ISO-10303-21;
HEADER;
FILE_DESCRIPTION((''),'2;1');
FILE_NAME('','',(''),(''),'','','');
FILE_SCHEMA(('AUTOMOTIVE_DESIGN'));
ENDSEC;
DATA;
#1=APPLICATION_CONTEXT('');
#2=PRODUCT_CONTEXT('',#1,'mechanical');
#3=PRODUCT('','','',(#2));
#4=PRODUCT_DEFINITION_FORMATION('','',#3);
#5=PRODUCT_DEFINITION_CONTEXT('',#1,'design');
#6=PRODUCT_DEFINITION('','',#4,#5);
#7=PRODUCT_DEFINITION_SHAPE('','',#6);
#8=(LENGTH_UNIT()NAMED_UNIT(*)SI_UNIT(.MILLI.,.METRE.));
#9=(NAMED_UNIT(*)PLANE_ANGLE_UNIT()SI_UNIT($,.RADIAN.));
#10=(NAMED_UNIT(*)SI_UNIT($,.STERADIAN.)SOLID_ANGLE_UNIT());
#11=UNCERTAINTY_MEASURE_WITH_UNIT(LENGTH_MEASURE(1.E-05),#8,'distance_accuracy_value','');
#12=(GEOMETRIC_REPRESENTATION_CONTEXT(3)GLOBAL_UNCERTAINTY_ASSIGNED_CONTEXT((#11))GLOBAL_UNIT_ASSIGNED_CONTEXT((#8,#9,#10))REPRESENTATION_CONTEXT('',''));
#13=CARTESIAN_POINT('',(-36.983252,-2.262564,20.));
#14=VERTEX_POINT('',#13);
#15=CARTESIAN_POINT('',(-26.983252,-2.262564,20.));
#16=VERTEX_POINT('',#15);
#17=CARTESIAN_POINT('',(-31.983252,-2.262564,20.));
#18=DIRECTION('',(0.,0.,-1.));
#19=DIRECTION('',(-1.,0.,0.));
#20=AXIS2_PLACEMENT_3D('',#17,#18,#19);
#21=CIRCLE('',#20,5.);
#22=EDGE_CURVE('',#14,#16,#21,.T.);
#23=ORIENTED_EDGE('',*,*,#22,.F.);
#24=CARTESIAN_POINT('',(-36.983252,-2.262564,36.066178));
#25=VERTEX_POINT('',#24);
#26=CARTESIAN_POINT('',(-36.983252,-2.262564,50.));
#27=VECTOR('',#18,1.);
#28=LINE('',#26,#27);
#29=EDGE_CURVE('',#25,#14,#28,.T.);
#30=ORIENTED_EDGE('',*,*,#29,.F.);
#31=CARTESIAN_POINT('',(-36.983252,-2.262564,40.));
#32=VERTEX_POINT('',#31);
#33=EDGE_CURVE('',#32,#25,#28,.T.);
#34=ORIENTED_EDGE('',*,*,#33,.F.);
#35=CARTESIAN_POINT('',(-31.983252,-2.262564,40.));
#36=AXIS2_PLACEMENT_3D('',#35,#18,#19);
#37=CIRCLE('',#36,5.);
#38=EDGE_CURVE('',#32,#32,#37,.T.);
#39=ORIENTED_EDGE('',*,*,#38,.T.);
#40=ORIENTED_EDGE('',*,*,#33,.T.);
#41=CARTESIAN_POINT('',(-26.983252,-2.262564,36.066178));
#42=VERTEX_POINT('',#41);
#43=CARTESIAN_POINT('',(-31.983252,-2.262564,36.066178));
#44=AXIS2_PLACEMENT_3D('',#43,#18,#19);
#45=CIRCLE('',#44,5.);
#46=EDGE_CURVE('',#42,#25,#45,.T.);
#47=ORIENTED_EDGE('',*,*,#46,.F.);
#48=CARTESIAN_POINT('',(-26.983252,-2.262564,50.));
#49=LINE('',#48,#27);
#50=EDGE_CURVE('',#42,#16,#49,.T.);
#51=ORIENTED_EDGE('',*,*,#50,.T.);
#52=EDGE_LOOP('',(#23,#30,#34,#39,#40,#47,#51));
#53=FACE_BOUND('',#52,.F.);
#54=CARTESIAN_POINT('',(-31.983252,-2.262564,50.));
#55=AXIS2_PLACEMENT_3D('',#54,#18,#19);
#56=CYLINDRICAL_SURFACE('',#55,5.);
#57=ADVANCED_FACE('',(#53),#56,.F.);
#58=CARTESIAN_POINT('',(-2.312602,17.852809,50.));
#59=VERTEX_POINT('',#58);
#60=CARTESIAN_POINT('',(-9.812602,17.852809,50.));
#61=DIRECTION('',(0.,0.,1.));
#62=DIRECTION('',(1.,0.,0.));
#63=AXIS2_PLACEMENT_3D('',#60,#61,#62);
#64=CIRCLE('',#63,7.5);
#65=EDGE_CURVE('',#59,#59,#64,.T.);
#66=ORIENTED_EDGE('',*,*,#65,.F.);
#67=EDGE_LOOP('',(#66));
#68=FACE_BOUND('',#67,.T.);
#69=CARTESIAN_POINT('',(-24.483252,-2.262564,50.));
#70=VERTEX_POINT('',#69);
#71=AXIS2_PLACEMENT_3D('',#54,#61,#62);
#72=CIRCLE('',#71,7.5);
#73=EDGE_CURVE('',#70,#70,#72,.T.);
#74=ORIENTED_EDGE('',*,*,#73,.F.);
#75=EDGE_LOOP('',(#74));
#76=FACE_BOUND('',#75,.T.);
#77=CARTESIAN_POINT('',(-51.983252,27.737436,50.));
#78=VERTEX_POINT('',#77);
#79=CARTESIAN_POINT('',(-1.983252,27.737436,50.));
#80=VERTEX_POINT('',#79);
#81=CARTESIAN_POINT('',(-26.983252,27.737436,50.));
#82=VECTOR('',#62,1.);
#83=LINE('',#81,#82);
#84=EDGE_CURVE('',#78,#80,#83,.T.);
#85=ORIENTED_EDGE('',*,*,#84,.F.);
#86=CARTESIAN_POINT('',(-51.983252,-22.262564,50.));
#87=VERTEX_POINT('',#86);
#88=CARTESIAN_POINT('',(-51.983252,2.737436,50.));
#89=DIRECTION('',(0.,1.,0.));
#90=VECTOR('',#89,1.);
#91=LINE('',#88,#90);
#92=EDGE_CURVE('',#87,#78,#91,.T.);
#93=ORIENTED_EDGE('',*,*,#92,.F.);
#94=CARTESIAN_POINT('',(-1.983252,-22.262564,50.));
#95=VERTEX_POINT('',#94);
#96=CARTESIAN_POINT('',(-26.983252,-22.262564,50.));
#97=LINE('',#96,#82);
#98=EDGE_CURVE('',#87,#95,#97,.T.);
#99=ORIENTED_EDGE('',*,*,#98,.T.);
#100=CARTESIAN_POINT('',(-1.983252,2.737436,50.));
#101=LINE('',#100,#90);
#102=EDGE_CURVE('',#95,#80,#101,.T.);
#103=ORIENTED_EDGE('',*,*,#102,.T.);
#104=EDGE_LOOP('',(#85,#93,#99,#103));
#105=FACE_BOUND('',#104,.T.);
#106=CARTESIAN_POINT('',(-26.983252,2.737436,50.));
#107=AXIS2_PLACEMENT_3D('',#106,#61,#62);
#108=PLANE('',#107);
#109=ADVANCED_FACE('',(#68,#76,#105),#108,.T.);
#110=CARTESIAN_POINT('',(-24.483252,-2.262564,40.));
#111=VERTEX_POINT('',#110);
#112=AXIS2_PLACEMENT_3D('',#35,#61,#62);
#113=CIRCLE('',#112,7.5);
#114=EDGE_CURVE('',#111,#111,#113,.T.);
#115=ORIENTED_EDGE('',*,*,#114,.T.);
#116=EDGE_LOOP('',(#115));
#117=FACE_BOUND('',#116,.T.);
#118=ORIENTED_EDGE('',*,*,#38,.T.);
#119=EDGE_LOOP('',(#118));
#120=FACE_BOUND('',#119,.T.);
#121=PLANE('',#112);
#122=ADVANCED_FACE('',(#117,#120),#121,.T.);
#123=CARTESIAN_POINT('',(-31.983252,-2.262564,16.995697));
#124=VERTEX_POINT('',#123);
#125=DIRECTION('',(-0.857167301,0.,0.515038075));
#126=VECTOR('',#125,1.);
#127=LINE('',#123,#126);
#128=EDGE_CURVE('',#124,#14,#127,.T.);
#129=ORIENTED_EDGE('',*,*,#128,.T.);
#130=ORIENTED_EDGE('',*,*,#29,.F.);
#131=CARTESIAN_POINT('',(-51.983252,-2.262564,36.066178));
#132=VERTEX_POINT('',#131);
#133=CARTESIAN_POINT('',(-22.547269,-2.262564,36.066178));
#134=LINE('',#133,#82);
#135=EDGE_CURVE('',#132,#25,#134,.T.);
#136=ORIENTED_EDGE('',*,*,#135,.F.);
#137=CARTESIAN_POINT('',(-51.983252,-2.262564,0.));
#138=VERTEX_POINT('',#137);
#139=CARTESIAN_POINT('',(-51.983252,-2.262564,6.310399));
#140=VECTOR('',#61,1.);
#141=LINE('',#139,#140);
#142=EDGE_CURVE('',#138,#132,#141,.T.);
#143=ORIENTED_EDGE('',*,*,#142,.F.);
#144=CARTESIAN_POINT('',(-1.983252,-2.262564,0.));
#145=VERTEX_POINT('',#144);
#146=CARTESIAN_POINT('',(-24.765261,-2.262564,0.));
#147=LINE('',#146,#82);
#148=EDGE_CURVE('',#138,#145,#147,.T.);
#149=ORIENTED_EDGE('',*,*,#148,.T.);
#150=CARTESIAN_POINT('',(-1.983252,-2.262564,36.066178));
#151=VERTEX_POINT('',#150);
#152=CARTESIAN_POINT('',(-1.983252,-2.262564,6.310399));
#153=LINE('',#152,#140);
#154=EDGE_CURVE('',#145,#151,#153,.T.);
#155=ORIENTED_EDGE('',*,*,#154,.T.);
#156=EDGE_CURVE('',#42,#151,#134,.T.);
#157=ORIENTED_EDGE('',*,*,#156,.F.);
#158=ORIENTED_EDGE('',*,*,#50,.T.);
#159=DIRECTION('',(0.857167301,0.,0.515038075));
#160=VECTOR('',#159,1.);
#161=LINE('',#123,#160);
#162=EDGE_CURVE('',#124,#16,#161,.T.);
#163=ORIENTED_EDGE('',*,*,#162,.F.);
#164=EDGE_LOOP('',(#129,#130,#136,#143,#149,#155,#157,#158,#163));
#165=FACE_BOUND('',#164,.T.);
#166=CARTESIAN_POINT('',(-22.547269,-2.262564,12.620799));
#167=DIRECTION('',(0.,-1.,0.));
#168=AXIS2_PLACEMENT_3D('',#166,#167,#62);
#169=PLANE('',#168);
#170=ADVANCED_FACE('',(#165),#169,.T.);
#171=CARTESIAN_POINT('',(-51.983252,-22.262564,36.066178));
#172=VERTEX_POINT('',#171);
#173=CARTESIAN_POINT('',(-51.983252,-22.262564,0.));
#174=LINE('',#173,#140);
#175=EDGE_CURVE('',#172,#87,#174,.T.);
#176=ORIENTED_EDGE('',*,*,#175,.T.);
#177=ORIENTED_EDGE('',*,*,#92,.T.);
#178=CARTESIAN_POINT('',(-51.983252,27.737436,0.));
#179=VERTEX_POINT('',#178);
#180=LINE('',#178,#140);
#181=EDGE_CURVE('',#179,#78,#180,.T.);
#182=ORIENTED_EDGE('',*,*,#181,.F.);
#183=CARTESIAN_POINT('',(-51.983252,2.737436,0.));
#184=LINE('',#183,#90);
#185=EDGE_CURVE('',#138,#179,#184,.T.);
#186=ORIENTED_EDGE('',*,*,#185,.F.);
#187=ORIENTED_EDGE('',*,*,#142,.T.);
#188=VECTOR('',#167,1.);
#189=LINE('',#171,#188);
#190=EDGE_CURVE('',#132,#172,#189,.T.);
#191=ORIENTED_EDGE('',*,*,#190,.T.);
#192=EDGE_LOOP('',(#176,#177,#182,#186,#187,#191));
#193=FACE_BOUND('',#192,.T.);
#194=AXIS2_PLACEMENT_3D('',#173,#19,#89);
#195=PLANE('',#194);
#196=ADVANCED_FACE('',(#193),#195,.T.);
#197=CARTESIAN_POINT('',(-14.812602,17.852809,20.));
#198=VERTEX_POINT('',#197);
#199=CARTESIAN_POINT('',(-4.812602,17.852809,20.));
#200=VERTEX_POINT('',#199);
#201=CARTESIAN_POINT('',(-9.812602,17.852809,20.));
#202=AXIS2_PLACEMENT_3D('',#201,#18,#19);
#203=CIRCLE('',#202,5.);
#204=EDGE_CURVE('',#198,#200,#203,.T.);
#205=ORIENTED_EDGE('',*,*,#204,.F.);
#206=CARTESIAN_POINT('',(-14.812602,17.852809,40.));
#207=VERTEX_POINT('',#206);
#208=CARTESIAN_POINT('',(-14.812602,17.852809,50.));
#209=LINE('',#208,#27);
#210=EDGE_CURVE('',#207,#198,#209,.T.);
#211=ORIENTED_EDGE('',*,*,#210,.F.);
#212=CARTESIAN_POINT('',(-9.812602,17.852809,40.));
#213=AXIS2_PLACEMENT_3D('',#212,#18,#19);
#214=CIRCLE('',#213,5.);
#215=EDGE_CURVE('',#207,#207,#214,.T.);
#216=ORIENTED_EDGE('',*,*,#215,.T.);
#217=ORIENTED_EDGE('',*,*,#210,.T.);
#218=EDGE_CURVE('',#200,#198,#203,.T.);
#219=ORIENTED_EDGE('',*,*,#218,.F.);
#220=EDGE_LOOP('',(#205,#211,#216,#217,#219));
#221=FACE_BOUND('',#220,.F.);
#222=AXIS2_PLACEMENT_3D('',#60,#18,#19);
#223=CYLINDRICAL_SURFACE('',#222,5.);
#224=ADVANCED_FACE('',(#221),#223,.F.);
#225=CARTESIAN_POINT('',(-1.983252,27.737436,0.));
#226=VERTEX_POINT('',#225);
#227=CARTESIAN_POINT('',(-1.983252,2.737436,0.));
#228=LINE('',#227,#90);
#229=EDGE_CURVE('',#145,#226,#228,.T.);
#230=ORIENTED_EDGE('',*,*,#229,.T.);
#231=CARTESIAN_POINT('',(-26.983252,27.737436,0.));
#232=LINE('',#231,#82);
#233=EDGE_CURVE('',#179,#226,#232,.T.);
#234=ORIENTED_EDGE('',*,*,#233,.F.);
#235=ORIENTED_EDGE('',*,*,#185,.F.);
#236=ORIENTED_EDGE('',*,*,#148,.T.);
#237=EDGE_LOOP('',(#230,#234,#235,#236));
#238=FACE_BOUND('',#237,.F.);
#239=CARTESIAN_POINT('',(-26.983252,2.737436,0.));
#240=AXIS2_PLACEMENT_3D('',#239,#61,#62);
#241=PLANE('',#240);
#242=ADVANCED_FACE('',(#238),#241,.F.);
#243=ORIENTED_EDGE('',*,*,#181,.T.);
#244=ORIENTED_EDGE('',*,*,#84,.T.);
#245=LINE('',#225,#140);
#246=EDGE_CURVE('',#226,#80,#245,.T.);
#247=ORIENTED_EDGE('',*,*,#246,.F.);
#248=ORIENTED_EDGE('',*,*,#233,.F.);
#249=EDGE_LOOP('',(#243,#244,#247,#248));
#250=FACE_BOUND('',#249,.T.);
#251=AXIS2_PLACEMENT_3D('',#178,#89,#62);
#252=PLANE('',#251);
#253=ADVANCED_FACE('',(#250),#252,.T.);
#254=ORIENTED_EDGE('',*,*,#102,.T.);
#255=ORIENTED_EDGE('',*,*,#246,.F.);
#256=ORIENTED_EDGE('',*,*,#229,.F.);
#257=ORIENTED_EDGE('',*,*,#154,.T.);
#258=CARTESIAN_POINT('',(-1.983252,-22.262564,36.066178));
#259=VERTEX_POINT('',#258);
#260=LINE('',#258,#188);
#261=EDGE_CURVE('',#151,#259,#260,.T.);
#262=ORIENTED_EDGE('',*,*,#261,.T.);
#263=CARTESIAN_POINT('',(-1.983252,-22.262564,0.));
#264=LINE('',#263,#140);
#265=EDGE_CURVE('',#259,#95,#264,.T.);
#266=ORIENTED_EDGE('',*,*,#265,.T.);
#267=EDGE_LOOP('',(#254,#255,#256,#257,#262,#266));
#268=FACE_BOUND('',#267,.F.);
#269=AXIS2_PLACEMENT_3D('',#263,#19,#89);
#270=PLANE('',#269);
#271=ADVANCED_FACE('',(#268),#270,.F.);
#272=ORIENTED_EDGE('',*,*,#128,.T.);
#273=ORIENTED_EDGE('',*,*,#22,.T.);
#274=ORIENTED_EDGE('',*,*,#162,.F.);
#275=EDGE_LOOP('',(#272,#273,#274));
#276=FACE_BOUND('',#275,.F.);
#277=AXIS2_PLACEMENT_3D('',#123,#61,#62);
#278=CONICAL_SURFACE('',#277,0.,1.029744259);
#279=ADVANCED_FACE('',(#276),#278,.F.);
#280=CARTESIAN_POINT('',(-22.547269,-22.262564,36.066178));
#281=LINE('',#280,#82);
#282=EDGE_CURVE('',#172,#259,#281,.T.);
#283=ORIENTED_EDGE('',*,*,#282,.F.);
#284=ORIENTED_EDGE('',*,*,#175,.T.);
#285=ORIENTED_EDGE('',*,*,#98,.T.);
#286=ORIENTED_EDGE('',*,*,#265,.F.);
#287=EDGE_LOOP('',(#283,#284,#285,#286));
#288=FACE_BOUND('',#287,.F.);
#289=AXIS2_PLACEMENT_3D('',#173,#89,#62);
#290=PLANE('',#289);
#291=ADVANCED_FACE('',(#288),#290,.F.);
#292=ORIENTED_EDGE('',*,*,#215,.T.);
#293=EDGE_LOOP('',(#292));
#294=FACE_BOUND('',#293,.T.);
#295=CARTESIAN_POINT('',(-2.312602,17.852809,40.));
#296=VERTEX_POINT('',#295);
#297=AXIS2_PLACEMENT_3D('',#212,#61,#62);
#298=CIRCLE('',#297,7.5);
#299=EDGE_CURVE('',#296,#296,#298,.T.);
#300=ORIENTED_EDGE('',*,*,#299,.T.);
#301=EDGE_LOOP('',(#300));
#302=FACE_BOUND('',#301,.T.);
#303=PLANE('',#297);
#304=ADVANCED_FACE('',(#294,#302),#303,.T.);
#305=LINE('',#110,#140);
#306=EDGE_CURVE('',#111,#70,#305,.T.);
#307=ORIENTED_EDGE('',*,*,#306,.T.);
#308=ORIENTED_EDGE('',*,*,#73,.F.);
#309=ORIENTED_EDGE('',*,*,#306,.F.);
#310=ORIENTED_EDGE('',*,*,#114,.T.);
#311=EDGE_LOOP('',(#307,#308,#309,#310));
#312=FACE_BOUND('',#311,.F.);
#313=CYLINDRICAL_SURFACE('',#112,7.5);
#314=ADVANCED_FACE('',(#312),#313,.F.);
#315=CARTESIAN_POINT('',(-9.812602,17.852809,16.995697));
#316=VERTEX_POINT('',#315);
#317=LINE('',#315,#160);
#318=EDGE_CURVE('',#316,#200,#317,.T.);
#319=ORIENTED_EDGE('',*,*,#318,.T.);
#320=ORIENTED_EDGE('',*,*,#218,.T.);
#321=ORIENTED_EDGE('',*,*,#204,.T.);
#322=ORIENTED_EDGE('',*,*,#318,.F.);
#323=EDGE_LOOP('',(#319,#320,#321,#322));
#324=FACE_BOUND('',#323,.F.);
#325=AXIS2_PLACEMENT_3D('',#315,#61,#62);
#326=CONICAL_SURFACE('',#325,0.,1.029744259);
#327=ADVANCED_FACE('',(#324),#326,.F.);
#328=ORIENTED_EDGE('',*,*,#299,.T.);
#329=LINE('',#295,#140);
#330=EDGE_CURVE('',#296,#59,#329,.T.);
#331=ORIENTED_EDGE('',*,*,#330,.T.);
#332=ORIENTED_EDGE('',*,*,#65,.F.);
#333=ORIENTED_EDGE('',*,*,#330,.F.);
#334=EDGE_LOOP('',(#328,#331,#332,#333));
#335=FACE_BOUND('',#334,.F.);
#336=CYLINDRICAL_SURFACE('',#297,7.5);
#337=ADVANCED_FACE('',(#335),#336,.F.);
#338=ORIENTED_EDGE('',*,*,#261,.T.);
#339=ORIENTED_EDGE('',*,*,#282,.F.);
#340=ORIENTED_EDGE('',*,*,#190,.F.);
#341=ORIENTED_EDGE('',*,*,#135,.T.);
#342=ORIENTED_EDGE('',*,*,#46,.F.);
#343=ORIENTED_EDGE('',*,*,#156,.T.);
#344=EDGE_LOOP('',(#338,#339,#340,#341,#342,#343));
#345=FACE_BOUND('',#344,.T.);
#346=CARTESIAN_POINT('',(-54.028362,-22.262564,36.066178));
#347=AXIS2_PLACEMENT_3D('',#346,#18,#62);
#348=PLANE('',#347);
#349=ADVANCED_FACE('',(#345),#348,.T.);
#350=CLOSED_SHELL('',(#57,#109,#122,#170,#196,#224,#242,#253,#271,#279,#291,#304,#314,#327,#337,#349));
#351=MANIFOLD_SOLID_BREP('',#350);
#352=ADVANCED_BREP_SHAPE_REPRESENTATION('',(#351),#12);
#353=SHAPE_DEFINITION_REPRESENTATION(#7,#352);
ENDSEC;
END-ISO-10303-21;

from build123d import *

# Parameters (mm, degrees)
F0_W           = 50
F0_H           = 50
F1_DEPTH       = 50
F3_D           = 10
F3_DEPTH       = 30
F3_CBORE_D     = 15
F3_CBORE_DEPTH = 10
F3_TIP         = 3.0043030951
F4_D           = 10
F4_DEPTH       = 30
F4_CBORE_D     = 15
F4_CBORE_DEPTH = 10
F4_TIP         = 3.0043030951
F5_W           = 62.9621855915
F5_H           = 46.8907589093
F6_DEPTH       = 20


with BuildPart() as f1:
    # F0 (on Top) → F1 (new body)
    with BuildSketch(Plane.XY):
        with Locations((-26.9832524723, 2.7374359779)):
            Rectangle(F0_W, F0_H)
    extrude(amount=F1_DEPTH)

    # F3
    with Locations(Plane.XY.offset(50)):
        with Locations((-31.9832524723, -2.2625640221)):
            CounterBoreHole(F3_D / 2, F3_CBORE_D / 2, F3_CBORE_DEPTH, depth=F3_DEPTH)
            with Locations((0, 0, -(F3_DEPTH + F3_TIP / 2))):  # 118° drill point
                Cone(0, F3_D / 2, F3_TIP, mode=Mode.SUBTRACT)

    # F4
    with Locations(Plane.XY.offset(50)):
        with Locations((-9.8126017437, 17.8528092922)):
            CounterBoreHole(F4_D / 2, F4_CBORE_D / 2, F4_CBORE_DEPTH, depth=F4_DEPTH)
            with Locations((0, 0, -(F4_DEPTH + F4_TIP / 2))):  # 118° drill point
                Cone(0, F4_D / 2, F4_TIP, mode=Mode.SUBTRACT)

    # F5 (on face) → F6 (cut)
    with BuildSketch(Plane.XZ.offset(22.2625640221)):
        with Locations((-22.54726924, 12.6207987778)):
            Rectangle(F5_W, F5_H)
    extrude(amount=-F6_DEPTH, mode=Mode.SUBTRACT)


solid = f1.part
